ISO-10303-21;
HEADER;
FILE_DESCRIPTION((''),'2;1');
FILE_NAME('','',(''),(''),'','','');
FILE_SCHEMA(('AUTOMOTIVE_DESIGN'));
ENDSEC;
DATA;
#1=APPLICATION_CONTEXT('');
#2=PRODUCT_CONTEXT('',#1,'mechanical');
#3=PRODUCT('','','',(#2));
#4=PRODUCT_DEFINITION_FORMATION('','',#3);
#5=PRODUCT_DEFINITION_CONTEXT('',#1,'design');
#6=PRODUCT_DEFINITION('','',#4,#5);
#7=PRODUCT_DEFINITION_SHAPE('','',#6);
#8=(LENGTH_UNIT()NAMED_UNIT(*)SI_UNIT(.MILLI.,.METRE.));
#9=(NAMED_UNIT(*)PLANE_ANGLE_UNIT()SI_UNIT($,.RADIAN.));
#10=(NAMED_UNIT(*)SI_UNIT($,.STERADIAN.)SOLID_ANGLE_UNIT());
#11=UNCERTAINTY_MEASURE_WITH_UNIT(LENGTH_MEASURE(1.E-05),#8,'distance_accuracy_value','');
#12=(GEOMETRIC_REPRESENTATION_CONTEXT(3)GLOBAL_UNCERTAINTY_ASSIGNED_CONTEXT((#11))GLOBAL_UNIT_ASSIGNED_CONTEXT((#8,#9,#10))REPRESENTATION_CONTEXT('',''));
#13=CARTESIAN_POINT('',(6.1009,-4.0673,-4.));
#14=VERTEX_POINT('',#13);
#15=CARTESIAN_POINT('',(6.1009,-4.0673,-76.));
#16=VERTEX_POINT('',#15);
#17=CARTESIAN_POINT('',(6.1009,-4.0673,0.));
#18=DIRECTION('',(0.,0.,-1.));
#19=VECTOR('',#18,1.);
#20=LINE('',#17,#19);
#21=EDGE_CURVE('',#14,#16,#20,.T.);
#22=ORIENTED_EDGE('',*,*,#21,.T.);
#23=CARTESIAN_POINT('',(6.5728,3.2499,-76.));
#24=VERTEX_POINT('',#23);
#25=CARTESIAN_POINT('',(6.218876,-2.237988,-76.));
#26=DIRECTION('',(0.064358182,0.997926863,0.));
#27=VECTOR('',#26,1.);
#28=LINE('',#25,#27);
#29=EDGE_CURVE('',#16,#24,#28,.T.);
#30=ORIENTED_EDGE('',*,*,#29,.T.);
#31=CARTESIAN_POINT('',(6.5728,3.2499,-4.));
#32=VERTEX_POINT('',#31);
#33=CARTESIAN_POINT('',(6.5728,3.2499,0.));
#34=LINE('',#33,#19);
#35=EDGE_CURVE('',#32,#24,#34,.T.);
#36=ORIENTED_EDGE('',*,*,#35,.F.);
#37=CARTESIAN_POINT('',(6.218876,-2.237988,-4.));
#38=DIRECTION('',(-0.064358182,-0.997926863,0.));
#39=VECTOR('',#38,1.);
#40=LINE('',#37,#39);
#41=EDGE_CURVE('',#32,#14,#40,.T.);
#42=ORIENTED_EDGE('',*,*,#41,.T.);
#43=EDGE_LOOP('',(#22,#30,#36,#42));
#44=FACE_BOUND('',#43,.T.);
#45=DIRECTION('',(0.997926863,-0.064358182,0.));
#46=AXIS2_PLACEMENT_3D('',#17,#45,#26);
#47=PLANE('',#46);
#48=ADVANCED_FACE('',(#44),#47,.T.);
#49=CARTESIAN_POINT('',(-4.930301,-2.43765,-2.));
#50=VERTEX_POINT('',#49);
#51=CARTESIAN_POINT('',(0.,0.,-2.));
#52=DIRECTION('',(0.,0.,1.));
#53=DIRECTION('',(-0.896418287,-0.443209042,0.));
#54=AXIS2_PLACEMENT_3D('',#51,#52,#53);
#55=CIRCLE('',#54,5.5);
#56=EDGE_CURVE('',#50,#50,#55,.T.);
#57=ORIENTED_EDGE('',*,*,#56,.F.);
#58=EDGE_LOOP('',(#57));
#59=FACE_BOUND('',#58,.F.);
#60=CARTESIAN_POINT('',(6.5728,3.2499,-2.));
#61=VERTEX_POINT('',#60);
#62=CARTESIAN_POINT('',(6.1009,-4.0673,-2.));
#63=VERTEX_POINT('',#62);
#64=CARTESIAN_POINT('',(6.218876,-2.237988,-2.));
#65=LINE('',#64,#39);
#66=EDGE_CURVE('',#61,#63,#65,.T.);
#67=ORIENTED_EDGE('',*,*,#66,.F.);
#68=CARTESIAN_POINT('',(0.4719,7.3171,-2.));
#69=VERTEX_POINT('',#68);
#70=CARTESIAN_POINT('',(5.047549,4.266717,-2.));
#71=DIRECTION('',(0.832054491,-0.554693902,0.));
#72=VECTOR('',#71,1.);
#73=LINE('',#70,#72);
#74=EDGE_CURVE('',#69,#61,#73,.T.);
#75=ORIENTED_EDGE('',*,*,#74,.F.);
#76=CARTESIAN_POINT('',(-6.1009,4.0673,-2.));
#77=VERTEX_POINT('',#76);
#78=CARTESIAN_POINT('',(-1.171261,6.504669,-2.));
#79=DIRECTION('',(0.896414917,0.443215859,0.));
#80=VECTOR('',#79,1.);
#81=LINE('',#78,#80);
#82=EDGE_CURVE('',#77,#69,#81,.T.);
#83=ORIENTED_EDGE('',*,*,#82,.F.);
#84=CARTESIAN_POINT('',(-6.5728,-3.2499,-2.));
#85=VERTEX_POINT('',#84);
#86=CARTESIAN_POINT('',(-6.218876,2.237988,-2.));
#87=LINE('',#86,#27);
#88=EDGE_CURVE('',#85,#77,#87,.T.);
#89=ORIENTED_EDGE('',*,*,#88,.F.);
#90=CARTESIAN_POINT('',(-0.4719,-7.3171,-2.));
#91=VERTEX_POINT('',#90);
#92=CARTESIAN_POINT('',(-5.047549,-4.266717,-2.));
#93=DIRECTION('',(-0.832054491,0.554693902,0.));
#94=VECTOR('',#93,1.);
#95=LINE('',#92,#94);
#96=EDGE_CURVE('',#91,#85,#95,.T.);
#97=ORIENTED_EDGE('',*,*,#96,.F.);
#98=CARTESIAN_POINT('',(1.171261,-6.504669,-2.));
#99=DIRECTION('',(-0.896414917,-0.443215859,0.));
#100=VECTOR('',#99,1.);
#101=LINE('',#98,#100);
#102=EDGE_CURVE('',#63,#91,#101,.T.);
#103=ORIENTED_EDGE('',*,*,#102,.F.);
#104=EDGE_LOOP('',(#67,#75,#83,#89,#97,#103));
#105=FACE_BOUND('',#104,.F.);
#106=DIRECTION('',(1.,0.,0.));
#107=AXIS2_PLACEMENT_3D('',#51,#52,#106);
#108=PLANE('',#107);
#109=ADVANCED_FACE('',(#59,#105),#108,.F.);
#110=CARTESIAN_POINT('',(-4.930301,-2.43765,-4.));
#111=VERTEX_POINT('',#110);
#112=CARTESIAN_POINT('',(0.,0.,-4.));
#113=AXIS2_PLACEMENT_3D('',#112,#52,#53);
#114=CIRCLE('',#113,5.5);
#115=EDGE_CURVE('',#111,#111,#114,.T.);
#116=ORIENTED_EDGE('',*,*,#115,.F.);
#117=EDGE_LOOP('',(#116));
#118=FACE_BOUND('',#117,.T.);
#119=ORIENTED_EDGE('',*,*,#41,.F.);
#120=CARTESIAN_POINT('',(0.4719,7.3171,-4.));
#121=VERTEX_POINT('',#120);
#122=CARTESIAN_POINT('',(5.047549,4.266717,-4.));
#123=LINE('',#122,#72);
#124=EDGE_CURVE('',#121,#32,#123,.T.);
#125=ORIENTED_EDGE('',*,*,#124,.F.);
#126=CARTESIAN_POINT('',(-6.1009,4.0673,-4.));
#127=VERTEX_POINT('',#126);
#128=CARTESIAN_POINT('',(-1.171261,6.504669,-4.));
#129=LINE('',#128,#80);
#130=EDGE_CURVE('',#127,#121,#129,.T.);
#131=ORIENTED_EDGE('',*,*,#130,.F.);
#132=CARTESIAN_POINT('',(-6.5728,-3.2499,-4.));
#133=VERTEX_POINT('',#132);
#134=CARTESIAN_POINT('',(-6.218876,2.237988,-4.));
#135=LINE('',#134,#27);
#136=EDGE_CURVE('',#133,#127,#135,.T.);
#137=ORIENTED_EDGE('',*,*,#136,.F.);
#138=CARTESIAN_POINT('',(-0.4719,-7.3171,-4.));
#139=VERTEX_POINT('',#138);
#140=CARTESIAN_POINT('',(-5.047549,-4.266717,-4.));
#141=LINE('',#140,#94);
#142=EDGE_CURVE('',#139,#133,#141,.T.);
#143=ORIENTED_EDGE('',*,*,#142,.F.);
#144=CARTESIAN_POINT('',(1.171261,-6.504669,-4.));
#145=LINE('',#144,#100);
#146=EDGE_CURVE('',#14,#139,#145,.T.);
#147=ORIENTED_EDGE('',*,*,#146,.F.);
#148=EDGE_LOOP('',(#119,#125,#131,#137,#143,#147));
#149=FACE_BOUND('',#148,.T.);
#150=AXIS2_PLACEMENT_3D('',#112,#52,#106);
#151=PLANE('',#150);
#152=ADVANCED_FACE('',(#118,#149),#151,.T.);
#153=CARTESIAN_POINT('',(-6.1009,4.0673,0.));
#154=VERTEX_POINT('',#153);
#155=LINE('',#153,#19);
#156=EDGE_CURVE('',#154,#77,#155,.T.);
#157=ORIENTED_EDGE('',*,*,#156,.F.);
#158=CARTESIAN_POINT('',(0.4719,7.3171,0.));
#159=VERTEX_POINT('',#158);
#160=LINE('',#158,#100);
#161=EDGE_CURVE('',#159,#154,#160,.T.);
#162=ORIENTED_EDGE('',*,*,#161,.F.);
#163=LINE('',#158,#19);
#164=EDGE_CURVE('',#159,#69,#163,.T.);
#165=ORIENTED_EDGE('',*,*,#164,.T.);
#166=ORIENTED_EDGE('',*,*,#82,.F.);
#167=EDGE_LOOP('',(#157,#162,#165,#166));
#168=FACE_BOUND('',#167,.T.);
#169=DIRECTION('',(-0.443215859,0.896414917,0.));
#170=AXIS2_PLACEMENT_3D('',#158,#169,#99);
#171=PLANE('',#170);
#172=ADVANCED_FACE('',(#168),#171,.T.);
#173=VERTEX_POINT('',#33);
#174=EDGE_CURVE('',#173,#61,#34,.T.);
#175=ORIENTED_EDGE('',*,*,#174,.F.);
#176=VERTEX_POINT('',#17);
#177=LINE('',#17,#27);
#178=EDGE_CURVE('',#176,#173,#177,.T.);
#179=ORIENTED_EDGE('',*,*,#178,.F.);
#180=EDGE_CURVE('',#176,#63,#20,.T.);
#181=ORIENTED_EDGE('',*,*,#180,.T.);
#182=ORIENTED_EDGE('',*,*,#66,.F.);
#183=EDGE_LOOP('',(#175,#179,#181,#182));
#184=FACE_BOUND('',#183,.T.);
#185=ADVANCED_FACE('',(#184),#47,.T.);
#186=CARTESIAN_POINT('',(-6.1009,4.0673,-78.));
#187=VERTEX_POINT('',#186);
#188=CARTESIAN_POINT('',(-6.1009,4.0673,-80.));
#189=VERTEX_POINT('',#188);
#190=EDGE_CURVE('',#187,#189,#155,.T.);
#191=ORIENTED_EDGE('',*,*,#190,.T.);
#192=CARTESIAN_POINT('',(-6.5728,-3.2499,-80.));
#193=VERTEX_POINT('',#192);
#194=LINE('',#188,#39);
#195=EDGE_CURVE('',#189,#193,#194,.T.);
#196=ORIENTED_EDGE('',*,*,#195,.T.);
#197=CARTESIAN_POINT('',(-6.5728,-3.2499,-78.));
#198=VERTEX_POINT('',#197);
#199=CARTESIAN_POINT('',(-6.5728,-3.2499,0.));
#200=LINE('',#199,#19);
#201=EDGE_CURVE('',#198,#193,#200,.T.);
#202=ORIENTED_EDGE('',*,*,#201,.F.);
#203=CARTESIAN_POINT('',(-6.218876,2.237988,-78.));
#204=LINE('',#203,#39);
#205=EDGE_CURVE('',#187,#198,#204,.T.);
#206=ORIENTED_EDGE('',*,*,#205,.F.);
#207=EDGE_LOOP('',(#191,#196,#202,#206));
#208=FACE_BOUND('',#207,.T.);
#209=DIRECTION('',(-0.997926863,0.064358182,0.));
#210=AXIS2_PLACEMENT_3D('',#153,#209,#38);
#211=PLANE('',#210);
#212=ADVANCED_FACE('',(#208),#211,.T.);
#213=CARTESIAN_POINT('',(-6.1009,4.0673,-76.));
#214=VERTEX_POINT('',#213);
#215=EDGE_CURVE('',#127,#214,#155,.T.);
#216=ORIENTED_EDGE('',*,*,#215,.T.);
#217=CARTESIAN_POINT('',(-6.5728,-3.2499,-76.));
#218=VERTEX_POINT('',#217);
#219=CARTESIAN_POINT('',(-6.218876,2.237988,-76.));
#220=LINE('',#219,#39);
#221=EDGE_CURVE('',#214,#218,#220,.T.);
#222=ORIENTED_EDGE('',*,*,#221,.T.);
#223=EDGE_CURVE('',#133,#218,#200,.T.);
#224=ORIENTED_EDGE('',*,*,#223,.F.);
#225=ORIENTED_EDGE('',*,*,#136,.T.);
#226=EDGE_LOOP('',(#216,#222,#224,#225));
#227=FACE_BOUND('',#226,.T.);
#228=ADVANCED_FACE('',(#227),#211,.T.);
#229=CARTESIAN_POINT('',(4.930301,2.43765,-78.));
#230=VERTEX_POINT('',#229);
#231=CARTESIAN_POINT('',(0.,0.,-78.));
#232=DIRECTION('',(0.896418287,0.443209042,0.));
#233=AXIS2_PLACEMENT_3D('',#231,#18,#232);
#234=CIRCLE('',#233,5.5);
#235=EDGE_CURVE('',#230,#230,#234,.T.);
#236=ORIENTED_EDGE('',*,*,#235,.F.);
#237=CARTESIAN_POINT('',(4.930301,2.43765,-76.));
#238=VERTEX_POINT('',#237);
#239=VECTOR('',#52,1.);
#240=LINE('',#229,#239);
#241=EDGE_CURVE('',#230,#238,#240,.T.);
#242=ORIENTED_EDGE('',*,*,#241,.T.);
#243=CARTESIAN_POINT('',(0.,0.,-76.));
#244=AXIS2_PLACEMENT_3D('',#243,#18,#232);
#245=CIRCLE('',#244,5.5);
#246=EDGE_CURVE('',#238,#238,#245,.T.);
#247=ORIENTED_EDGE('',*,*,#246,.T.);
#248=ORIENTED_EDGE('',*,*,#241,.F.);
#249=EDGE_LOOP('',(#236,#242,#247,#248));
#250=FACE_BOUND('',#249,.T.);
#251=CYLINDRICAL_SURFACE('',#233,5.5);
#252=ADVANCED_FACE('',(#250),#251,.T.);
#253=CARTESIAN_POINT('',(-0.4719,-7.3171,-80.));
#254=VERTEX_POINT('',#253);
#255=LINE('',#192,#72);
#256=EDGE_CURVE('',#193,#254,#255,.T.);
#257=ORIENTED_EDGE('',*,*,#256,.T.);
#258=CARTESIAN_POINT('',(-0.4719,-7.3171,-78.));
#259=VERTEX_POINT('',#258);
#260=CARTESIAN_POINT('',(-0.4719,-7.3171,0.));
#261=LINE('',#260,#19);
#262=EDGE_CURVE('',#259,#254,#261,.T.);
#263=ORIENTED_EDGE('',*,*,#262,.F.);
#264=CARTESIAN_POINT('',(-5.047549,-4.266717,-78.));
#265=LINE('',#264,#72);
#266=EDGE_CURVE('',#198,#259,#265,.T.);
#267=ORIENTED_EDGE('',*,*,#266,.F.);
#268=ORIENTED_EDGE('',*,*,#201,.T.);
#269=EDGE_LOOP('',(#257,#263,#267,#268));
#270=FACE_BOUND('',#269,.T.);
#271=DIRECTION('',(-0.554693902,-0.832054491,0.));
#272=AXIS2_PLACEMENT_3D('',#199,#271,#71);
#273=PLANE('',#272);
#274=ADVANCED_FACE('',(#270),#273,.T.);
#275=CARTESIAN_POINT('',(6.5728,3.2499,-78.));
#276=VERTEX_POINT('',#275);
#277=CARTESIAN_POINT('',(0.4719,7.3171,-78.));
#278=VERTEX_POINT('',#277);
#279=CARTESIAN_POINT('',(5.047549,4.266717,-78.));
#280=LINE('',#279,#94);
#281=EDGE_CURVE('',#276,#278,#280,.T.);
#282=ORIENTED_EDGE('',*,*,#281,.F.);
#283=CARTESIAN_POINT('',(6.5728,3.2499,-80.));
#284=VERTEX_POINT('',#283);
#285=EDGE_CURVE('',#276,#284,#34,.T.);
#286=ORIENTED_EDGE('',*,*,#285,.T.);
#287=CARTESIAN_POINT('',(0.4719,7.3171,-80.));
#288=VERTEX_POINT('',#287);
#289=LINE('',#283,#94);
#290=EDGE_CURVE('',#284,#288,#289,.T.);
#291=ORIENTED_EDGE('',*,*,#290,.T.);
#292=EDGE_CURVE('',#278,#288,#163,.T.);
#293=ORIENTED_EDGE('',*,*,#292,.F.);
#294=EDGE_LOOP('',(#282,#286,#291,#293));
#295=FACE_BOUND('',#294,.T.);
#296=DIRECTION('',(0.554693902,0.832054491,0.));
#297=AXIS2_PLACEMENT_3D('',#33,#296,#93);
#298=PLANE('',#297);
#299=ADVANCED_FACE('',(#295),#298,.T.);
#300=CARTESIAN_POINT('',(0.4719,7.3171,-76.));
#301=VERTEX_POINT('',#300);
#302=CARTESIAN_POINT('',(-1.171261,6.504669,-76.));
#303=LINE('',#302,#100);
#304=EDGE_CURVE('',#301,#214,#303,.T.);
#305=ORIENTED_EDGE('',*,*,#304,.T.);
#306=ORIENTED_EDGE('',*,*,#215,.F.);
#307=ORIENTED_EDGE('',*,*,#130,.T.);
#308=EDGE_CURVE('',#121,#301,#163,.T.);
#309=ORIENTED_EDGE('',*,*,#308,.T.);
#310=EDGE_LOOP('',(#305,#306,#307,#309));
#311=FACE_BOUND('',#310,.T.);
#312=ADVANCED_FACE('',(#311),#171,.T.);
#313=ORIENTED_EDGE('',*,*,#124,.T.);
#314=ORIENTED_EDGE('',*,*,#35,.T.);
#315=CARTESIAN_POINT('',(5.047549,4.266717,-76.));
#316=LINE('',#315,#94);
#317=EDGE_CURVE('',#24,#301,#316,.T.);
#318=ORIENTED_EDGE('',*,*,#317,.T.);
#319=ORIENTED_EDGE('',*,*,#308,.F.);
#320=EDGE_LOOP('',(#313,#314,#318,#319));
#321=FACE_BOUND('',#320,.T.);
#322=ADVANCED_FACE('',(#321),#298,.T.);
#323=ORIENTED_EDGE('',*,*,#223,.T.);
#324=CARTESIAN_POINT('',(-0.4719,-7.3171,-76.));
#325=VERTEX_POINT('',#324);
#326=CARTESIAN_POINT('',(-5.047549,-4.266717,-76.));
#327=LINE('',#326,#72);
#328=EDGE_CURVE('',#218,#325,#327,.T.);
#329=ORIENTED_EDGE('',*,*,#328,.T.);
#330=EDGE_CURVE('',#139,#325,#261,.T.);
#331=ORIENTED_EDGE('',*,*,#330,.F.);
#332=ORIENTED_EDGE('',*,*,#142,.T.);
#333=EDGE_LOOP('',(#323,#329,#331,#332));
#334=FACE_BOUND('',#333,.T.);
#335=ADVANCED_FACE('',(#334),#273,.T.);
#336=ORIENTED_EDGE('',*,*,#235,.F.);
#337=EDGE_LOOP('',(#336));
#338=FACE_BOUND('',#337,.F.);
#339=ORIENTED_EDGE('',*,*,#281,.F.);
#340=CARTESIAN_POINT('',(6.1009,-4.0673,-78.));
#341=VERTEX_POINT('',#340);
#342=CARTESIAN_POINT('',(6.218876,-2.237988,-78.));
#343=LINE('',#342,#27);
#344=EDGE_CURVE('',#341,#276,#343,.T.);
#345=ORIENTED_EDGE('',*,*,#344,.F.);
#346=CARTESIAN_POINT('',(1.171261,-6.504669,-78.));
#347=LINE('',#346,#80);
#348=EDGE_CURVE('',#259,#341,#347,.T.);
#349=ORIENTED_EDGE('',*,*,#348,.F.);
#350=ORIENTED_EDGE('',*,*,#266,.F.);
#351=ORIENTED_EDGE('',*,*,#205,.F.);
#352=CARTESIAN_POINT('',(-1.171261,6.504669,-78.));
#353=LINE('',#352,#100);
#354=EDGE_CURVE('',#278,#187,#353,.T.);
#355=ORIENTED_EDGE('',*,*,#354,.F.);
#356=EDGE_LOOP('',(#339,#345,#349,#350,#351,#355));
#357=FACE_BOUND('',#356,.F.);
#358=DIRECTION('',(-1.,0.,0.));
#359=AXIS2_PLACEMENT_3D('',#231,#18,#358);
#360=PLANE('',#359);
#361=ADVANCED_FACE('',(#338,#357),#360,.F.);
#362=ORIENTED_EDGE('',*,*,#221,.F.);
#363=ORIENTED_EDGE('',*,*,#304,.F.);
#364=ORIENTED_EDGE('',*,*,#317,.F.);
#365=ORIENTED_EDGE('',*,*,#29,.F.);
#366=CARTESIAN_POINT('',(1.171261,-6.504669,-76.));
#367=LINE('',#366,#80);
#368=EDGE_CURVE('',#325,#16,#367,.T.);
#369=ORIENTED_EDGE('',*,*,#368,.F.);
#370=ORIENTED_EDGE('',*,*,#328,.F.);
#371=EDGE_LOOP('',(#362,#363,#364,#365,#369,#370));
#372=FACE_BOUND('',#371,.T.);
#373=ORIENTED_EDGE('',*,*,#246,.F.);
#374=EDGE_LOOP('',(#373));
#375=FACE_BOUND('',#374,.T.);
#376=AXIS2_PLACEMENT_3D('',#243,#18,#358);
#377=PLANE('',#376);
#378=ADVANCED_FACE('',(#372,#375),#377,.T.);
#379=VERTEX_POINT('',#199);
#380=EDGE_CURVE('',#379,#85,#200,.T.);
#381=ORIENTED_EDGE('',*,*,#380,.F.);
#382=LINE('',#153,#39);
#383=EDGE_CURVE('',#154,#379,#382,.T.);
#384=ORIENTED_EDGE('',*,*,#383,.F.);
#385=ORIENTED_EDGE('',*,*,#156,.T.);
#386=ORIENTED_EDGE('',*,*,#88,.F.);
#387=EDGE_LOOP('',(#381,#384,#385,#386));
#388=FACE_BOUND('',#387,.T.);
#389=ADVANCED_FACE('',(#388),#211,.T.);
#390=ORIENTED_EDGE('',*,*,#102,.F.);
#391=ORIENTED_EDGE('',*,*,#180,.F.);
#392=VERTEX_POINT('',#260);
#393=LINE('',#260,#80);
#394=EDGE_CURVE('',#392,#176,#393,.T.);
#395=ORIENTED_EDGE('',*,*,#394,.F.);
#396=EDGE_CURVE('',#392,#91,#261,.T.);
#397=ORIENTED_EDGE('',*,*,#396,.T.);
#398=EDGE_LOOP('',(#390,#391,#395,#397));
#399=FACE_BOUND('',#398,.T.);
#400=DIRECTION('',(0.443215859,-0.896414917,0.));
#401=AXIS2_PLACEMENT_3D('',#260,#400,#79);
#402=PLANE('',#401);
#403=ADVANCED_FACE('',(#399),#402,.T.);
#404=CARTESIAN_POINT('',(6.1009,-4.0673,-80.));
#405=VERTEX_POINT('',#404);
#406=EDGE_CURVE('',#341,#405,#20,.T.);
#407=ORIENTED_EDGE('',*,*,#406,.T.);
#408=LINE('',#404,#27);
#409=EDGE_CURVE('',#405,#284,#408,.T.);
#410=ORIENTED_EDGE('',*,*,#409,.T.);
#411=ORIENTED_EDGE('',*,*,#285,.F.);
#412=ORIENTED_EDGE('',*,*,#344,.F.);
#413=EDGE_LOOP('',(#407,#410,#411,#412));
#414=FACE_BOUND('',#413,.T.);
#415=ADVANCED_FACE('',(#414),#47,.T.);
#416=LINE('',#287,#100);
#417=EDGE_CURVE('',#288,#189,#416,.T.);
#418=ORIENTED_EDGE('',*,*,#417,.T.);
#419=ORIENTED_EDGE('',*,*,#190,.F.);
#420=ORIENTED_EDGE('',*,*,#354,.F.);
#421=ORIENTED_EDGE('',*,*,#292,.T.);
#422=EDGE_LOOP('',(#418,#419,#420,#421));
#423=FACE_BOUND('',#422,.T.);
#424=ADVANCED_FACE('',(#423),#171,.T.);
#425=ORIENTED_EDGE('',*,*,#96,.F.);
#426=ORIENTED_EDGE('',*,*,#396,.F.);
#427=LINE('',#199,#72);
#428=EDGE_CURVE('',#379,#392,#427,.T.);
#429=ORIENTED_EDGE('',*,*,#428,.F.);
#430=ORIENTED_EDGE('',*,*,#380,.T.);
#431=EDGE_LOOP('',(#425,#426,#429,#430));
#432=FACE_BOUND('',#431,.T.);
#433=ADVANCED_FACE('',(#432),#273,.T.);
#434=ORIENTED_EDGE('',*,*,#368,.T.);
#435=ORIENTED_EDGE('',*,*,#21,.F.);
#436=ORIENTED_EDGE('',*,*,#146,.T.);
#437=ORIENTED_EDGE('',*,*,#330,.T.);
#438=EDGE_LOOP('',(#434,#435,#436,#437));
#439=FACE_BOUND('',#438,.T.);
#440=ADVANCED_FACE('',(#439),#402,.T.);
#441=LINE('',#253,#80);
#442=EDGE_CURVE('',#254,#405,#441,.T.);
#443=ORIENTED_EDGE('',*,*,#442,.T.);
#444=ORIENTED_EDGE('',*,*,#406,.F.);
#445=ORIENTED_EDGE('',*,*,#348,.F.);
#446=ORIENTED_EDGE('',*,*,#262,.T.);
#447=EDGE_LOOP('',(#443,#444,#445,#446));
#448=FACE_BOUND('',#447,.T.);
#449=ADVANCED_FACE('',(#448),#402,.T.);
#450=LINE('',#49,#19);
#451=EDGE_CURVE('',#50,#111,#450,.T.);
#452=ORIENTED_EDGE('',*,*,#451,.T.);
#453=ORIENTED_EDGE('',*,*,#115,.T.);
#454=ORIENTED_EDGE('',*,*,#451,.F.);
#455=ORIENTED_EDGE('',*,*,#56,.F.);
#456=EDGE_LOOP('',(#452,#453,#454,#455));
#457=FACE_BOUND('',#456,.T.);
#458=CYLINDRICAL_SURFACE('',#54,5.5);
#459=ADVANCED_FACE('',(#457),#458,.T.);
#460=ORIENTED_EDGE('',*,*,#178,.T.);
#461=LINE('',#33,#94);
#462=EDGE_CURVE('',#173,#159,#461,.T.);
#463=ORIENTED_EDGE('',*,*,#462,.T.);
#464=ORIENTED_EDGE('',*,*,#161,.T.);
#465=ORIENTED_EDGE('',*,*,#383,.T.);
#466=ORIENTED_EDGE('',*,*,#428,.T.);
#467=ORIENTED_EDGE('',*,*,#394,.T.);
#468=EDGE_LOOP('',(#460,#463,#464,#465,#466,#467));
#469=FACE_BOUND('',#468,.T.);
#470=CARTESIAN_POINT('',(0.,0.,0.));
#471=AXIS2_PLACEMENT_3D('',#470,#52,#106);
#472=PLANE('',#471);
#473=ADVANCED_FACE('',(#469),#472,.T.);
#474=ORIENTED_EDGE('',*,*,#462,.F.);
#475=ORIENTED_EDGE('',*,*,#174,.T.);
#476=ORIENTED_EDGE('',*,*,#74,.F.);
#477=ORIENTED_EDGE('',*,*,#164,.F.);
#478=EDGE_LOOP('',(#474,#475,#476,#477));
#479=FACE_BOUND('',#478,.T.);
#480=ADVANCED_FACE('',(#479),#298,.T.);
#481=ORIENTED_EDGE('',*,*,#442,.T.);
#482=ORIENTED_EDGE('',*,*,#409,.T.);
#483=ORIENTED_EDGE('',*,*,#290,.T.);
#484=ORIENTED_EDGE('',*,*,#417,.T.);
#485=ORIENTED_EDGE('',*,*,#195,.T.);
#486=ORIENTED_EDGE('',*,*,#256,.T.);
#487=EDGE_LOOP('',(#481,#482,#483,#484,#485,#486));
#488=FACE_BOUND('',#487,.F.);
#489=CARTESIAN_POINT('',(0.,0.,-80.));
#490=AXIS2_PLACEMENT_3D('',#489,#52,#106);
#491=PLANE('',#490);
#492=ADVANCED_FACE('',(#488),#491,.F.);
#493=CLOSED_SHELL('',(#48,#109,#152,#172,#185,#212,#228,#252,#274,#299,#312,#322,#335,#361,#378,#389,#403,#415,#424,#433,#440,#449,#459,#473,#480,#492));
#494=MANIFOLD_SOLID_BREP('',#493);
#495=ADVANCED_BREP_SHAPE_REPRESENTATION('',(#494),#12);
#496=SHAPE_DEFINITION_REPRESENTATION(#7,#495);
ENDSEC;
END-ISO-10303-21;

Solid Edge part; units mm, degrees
sketch "Sketch1" plane through (0, 0, 0) normal (0, 0, 1) x (1, 0, 0)
  line L0 (-6.1009, 4.0673) -> (-6.5728, -3.2499)
  line L1 (-6.5728, -3.2499) -> (-0.4719, -7.3171)
  line L2 (-0.4719, -7.3171) -> (6.1009, -4.0673)
  line L3 (6.1009, -4.0673) -> (6.5728, 3.2499)
  line L4 (6.5728, 3.2499) -> (0.4719, 7.3171)
  line L5 (0.4719, 7.3171) -> (-6.1009, 4.0673)
extrude "Protrusion1" add sketch "Sketch1" against normal blind 80
sketch "Sketch2" plane through (0, 0, -2) normal (0, 0, 1) x (-0.8964, -0.4432, 0)
  circle A0 centre (0, 0) radius 5.5
  circle A1 centre (0, 0) radius 13.1424
extrude "ExtrudedCutout_1" cut sketch "Sketch2" against normal blind 2
sketch "Sketch3" plane through (0, 0, -78) normal (0, 0, -1) x (0.8964, 0.4432, 0)
  circle A0 centre (0, 0) radius 5.5
  circle A1 centre (0, 0) radius 13.1424
extrude "ExtrudedCutout_2" cut sketch "Sketch3" against normal blind 2
properties part number "BumbleB0196"
